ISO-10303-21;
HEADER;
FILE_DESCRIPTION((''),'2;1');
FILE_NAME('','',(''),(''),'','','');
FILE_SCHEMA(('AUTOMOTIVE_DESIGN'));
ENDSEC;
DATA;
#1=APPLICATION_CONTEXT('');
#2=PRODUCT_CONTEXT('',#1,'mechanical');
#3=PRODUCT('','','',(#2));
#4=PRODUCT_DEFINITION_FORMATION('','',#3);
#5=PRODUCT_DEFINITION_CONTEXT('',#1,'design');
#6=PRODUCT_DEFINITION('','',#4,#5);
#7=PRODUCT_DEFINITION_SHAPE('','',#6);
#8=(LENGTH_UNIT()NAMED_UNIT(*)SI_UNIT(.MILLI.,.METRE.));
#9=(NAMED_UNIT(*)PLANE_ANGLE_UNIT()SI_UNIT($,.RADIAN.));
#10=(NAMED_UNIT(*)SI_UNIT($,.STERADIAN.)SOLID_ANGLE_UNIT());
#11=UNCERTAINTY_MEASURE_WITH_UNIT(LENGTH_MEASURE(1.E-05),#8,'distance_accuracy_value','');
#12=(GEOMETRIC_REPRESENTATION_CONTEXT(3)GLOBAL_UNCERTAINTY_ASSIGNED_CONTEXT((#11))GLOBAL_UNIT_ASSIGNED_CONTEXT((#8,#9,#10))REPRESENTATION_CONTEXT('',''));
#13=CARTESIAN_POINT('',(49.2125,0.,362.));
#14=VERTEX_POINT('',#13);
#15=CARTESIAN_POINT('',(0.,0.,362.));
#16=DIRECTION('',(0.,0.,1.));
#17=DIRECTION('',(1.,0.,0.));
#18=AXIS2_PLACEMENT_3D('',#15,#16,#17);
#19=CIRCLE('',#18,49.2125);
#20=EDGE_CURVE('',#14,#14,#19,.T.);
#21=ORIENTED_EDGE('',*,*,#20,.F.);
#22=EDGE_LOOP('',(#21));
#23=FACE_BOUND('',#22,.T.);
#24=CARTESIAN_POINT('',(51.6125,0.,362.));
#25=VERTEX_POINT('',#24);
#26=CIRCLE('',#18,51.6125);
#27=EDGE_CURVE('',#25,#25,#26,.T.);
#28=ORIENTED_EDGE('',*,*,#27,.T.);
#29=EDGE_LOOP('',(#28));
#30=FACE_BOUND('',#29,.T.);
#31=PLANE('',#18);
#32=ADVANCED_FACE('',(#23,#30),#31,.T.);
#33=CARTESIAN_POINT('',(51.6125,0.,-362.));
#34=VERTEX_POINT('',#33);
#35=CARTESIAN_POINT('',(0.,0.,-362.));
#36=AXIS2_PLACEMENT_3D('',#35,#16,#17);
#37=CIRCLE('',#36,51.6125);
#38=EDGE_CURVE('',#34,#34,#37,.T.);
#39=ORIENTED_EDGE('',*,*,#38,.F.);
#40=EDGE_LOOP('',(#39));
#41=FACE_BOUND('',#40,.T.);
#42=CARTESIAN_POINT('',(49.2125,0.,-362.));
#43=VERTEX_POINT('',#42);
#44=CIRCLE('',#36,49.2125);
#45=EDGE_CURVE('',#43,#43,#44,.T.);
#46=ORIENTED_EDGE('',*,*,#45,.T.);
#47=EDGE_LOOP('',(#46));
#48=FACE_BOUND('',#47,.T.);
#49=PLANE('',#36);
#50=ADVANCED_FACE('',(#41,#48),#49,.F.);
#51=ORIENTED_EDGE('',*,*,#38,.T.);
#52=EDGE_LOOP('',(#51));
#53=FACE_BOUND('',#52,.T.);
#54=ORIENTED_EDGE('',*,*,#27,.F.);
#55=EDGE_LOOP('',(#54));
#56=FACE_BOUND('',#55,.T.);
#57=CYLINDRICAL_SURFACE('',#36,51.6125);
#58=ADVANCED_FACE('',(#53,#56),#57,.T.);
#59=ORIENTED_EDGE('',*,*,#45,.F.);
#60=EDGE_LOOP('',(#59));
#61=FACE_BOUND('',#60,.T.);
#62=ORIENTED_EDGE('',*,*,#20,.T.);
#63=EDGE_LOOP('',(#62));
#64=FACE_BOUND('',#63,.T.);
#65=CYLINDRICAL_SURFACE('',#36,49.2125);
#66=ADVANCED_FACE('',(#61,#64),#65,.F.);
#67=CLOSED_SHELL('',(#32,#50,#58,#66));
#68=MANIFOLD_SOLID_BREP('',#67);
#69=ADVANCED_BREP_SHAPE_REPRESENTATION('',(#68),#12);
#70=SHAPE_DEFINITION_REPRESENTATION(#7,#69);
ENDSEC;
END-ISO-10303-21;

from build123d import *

# Parameters (mm, degrees)
BOSS_EXTRUDE1_DEPTH      = 362
BOSS_EXTRUDE1_DEPTH_BACK = 362
SKETCH2_R                = 51.6125
SKETCH2_R_2              = 49.2125


with BuildPart() as part:
    # Sketch2 → Boss-Extrude1 (new, two sides: drawn at the far end of the back side and taken through both)
    with BuildSketch(Plane.XY.offset(-BOSS_EXTRUDE1_DEPTH_BACK)):
        Circle(SKETCH2_R)
        Circle(SKETCH2_R_2, mode=Mode.SUBTRACT)
    extrude(amount=BOSS_EXTRUDE1_DEPTH + BOSS_EXTRUDE1_DEPTH_BACK)


solid = part.part
